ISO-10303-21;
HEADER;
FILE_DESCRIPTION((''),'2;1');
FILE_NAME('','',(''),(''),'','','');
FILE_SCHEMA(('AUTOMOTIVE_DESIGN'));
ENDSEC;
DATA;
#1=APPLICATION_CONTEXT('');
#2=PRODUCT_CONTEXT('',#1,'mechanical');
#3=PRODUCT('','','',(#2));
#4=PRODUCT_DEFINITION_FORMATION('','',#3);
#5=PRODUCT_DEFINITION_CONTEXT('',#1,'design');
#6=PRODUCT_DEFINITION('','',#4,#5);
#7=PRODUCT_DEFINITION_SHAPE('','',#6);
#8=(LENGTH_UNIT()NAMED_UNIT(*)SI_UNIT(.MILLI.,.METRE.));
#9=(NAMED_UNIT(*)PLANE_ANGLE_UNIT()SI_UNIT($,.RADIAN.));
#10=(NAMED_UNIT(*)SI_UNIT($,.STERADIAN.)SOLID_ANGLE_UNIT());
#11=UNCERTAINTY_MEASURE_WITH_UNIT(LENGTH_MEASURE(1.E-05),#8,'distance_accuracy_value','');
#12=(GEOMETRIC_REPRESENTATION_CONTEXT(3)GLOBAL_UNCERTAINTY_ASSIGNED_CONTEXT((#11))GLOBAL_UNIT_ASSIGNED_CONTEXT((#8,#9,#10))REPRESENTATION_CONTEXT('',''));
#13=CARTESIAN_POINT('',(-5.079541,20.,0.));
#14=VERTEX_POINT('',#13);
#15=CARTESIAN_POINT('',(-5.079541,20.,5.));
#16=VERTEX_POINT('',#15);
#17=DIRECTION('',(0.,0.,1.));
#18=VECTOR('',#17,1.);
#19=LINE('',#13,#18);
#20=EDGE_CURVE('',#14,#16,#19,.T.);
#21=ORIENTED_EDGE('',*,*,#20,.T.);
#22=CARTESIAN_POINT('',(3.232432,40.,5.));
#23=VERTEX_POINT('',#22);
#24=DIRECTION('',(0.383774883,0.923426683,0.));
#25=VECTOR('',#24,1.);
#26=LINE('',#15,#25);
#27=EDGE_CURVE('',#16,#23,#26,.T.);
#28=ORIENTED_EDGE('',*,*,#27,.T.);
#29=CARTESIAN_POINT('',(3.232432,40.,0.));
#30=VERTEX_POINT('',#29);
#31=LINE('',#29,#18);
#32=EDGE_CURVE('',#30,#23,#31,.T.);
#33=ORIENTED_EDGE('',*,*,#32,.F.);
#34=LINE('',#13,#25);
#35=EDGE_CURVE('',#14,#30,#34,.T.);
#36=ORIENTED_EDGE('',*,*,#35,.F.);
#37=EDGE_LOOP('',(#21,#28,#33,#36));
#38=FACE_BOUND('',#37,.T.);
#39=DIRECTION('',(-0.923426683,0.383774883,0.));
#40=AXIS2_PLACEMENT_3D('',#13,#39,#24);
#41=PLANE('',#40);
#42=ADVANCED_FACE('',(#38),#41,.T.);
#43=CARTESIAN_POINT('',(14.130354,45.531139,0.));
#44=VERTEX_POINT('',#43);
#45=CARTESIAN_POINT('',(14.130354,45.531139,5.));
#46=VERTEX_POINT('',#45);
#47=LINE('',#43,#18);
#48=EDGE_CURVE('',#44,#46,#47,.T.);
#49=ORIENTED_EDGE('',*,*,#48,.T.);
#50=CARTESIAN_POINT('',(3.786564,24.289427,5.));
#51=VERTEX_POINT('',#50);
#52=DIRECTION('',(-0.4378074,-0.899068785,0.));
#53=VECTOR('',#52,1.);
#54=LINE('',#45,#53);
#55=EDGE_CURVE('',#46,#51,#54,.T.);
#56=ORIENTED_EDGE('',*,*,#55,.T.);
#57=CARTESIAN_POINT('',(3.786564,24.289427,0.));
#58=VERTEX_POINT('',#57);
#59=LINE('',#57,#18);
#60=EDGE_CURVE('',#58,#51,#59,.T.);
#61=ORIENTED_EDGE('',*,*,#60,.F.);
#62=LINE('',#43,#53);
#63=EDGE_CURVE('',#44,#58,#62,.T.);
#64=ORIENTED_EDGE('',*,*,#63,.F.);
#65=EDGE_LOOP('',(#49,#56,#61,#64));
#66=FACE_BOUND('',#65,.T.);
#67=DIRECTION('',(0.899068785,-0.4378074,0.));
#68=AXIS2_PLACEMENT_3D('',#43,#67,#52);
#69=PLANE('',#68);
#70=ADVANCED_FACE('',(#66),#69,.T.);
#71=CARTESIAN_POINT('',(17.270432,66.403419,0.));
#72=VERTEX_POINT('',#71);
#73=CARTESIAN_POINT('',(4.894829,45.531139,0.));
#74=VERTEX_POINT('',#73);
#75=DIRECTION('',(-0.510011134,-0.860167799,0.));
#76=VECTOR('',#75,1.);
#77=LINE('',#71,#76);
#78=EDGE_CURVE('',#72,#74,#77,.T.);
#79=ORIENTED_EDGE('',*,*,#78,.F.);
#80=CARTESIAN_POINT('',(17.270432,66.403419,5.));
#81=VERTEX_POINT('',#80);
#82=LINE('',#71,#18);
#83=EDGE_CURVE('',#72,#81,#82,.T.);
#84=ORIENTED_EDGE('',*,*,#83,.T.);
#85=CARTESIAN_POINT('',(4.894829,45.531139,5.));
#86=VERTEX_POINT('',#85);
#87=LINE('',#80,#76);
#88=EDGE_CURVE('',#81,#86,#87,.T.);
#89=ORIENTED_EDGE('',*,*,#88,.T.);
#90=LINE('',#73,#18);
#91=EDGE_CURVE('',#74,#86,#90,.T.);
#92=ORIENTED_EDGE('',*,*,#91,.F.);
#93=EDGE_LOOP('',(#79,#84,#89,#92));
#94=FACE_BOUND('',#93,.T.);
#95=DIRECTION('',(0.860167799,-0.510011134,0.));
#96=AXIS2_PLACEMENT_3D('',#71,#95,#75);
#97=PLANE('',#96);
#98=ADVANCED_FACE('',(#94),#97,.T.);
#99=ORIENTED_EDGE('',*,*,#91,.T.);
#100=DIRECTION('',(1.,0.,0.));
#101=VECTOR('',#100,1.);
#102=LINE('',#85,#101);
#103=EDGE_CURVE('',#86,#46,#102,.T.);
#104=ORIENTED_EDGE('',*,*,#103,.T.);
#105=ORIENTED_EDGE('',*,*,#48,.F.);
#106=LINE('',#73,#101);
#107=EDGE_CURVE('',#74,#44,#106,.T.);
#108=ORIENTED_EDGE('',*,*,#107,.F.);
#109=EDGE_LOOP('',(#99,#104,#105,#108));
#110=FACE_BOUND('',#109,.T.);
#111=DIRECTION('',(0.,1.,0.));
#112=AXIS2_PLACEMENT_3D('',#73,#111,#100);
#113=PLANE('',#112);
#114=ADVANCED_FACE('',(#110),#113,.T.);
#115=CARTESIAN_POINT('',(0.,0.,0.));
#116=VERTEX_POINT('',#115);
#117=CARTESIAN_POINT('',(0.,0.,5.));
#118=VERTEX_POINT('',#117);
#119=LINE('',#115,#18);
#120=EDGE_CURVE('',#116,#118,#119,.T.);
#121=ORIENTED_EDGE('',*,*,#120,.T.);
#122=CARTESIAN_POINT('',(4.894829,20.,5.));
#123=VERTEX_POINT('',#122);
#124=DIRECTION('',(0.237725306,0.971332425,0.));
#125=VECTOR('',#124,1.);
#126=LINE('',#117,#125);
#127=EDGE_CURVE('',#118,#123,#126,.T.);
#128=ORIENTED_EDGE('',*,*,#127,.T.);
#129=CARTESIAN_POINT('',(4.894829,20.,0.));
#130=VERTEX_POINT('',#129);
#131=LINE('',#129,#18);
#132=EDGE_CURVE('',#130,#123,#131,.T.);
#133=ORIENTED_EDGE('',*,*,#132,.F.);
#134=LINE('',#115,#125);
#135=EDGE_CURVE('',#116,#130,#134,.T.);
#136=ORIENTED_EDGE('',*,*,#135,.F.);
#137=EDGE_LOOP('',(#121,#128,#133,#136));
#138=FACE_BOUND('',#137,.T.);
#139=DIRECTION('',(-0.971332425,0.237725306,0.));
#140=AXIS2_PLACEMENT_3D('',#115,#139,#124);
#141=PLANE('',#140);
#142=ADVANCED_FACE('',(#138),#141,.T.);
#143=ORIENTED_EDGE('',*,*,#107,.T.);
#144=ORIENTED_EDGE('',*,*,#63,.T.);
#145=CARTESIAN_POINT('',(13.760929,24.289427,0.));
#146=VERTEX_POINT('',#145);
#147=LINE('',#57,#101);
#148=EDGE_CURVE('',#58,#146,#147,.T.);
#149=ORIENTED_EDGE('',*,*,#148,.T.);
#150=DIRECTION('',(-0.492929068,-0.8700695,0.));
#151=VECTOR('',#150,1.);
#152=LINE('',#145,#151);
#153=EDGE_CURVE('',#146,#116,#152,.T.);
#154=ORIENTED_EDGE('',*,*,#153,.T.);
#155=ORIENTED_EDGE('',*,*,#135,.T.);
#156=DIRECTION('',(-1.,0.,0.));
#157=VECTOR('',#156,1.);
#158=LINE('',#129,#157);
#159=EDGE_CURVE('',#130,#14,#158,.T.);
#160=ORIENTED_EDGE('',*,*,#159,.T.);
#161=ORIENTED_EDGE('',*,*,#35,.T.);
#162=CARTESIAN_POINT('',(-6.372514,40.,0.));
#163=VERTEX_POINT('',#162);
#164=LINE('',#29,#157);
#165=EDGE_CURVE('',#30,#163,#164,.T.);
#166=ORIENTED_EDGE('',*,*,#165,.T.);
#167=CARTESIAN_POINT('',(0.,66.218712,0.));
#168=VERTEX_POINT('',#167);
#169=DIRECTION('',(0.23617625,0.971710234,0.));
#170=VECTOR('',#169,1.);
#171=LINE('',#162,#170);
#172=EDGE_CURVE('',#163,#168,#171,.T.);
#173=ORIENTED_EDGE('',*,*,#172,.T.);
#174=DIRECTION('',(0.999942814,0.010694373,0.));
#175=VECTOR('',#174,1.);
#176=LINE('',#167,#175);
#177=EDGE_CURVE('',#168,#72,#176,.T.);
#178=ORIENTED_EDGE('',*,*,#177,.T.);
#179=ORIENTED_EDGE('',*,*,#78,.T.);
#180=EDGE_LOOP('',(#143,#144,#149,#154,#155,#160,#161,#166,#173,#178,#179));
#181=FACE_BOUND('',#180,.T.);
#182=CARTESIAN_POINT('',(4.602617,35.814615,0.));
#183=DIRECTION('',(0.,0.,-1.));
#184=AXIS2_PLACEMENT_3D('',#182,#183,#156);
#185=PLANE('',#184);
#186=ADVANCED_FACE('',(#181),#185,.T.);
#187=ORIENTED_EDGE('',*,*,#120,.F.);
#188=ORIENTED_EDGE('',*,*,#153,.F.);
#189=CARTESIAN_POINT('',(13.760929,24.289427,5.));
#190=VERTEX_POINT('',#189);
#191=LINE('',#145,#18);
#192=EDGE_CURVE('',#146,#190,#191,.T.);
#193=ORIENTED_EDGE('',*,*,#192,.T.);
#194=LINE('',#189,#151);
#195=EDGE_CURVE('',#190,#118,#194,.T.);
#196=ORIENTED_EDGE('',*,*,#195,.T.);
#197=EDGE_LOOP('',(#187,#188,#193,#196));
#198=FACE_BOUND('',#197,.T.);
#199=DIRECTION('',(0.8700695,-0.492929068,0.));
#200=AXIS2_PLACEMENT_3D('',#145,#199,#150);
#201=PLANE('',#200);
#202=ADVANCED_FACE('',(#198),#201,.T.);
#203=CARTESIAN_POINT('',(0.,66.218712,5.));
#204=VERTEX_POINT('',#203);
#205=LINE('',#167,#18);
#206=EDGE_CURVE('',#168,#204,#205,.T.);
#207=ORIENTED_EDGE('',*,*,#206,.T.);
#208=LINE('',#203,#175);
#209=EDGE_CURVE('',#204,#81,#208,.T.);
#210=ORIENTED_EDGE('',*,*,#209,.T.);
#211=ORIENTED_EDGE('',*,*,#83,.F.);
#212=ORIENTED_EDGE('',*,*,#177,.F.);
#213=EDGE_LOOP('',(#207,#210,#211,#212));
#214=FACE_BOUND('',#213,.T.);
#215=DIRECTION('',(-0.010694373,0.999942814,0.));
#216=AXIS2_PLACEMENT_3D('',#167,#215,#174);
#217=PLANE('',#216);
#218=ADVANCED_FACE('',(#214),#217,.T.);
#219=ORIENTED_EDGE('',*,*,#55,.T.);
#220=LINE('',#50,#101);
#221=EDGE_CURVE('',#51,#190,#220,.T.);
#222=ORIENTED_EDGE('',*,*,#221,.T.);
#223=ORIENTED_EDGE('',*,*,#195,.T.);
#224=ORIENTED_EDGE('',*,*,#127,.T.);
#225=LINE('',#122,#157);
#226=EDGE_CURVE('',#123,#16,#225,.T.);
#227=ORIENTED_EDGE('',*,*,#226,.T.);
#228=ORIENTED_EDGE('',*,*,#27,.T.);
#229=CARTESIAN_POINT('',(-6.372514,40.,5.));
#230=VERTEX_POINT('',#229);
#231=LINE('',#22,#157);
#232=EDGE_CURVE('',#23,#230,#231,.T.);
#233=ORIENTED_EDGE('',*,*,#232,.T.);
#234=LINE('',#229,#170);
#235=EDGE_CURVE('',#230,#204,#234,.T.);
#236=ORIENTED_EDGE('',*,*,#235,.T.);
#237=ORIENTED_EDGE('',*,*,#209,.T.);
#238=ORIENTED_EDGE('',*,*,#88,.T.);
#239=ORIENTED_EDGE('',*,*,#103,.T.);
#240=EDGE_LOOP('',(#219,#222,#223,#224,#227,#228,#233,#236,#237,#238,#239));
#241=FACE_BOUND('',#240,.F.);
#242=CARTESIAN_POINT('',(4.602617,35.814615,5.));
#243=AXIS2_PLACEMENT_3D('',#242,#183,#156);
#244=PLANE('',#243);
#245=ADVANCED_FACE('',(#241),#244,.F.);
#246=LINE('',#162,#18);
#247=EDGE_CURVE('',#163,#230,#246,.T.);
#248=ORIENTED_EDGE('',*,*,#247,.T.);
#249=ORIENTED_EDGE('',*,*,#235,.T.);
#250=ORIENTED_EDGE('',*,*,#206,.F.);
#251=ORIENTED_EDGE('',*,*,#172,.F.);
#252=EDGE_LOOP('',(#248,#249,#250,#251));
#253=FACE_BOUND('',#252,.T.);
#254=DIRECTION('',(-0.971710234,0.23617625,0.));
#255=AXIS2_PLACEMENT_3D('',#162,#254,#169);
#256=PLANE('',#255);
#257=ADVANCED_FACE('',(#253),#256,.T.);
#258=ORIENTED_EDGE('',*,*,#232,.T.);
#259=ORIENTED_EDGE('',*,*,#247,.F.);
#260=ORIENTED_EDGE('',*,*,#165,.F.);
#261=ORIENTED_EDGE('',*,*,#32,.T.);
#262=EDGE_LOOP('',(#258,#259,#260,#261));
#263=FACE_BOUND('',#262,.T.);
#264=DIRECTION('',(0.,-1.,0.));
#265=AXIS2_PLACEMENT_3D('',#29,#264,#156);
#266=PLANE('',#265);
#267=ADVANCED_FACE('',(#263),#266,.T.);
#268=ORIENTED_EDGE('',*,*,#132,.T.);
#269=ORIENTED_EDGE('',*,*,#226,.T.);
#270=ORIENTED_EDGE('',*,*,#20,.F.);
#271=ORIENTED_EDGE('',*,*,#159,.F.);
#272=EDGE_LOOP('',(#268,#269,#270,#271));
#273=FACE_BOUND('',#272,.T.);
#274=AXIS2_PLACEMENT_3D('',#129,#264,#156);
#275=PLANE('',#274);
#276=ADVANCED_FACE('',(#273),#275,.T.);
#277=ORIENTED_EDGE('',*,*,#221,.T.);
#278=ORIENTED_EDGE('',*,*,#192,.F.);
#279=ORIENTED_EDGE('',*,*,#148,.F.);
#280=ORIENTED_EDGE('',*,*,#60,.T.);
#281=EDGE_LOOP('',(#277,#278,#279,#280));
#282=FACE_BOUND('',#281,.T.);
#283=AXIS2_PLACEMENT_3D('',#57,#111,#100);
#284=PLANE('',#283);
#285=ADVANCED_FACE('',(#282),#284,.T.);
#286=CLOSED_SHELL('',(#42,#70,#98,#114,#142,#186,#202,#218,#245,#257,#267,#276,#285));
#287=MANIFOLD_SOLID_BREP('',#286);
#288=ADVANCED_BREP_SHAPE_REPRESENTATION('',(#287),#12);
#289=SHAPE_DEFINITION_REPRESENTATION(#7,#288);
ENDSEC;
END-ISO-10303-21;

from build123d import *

# Parameters (mm, degrees)
PAD_DEPTH = 5


with BuildPart() as part:
    # Sketch → Pad (new body)
    with BuildSketch(Plane.XY):
        Polygon((0, 0), (4.894829, 20), (-5.079541, 20), (3.232432, 40), (-6.372514, 40), (0, 66.218712), (17.270432, 66.403419), (4.894829, 45.531139), (14.130354, 45.531139), (3.786564, 24.289427), (13.760929, 24.289427), align=None)
    extrude(amount=PAD_DEPTH)


solid = part.part
